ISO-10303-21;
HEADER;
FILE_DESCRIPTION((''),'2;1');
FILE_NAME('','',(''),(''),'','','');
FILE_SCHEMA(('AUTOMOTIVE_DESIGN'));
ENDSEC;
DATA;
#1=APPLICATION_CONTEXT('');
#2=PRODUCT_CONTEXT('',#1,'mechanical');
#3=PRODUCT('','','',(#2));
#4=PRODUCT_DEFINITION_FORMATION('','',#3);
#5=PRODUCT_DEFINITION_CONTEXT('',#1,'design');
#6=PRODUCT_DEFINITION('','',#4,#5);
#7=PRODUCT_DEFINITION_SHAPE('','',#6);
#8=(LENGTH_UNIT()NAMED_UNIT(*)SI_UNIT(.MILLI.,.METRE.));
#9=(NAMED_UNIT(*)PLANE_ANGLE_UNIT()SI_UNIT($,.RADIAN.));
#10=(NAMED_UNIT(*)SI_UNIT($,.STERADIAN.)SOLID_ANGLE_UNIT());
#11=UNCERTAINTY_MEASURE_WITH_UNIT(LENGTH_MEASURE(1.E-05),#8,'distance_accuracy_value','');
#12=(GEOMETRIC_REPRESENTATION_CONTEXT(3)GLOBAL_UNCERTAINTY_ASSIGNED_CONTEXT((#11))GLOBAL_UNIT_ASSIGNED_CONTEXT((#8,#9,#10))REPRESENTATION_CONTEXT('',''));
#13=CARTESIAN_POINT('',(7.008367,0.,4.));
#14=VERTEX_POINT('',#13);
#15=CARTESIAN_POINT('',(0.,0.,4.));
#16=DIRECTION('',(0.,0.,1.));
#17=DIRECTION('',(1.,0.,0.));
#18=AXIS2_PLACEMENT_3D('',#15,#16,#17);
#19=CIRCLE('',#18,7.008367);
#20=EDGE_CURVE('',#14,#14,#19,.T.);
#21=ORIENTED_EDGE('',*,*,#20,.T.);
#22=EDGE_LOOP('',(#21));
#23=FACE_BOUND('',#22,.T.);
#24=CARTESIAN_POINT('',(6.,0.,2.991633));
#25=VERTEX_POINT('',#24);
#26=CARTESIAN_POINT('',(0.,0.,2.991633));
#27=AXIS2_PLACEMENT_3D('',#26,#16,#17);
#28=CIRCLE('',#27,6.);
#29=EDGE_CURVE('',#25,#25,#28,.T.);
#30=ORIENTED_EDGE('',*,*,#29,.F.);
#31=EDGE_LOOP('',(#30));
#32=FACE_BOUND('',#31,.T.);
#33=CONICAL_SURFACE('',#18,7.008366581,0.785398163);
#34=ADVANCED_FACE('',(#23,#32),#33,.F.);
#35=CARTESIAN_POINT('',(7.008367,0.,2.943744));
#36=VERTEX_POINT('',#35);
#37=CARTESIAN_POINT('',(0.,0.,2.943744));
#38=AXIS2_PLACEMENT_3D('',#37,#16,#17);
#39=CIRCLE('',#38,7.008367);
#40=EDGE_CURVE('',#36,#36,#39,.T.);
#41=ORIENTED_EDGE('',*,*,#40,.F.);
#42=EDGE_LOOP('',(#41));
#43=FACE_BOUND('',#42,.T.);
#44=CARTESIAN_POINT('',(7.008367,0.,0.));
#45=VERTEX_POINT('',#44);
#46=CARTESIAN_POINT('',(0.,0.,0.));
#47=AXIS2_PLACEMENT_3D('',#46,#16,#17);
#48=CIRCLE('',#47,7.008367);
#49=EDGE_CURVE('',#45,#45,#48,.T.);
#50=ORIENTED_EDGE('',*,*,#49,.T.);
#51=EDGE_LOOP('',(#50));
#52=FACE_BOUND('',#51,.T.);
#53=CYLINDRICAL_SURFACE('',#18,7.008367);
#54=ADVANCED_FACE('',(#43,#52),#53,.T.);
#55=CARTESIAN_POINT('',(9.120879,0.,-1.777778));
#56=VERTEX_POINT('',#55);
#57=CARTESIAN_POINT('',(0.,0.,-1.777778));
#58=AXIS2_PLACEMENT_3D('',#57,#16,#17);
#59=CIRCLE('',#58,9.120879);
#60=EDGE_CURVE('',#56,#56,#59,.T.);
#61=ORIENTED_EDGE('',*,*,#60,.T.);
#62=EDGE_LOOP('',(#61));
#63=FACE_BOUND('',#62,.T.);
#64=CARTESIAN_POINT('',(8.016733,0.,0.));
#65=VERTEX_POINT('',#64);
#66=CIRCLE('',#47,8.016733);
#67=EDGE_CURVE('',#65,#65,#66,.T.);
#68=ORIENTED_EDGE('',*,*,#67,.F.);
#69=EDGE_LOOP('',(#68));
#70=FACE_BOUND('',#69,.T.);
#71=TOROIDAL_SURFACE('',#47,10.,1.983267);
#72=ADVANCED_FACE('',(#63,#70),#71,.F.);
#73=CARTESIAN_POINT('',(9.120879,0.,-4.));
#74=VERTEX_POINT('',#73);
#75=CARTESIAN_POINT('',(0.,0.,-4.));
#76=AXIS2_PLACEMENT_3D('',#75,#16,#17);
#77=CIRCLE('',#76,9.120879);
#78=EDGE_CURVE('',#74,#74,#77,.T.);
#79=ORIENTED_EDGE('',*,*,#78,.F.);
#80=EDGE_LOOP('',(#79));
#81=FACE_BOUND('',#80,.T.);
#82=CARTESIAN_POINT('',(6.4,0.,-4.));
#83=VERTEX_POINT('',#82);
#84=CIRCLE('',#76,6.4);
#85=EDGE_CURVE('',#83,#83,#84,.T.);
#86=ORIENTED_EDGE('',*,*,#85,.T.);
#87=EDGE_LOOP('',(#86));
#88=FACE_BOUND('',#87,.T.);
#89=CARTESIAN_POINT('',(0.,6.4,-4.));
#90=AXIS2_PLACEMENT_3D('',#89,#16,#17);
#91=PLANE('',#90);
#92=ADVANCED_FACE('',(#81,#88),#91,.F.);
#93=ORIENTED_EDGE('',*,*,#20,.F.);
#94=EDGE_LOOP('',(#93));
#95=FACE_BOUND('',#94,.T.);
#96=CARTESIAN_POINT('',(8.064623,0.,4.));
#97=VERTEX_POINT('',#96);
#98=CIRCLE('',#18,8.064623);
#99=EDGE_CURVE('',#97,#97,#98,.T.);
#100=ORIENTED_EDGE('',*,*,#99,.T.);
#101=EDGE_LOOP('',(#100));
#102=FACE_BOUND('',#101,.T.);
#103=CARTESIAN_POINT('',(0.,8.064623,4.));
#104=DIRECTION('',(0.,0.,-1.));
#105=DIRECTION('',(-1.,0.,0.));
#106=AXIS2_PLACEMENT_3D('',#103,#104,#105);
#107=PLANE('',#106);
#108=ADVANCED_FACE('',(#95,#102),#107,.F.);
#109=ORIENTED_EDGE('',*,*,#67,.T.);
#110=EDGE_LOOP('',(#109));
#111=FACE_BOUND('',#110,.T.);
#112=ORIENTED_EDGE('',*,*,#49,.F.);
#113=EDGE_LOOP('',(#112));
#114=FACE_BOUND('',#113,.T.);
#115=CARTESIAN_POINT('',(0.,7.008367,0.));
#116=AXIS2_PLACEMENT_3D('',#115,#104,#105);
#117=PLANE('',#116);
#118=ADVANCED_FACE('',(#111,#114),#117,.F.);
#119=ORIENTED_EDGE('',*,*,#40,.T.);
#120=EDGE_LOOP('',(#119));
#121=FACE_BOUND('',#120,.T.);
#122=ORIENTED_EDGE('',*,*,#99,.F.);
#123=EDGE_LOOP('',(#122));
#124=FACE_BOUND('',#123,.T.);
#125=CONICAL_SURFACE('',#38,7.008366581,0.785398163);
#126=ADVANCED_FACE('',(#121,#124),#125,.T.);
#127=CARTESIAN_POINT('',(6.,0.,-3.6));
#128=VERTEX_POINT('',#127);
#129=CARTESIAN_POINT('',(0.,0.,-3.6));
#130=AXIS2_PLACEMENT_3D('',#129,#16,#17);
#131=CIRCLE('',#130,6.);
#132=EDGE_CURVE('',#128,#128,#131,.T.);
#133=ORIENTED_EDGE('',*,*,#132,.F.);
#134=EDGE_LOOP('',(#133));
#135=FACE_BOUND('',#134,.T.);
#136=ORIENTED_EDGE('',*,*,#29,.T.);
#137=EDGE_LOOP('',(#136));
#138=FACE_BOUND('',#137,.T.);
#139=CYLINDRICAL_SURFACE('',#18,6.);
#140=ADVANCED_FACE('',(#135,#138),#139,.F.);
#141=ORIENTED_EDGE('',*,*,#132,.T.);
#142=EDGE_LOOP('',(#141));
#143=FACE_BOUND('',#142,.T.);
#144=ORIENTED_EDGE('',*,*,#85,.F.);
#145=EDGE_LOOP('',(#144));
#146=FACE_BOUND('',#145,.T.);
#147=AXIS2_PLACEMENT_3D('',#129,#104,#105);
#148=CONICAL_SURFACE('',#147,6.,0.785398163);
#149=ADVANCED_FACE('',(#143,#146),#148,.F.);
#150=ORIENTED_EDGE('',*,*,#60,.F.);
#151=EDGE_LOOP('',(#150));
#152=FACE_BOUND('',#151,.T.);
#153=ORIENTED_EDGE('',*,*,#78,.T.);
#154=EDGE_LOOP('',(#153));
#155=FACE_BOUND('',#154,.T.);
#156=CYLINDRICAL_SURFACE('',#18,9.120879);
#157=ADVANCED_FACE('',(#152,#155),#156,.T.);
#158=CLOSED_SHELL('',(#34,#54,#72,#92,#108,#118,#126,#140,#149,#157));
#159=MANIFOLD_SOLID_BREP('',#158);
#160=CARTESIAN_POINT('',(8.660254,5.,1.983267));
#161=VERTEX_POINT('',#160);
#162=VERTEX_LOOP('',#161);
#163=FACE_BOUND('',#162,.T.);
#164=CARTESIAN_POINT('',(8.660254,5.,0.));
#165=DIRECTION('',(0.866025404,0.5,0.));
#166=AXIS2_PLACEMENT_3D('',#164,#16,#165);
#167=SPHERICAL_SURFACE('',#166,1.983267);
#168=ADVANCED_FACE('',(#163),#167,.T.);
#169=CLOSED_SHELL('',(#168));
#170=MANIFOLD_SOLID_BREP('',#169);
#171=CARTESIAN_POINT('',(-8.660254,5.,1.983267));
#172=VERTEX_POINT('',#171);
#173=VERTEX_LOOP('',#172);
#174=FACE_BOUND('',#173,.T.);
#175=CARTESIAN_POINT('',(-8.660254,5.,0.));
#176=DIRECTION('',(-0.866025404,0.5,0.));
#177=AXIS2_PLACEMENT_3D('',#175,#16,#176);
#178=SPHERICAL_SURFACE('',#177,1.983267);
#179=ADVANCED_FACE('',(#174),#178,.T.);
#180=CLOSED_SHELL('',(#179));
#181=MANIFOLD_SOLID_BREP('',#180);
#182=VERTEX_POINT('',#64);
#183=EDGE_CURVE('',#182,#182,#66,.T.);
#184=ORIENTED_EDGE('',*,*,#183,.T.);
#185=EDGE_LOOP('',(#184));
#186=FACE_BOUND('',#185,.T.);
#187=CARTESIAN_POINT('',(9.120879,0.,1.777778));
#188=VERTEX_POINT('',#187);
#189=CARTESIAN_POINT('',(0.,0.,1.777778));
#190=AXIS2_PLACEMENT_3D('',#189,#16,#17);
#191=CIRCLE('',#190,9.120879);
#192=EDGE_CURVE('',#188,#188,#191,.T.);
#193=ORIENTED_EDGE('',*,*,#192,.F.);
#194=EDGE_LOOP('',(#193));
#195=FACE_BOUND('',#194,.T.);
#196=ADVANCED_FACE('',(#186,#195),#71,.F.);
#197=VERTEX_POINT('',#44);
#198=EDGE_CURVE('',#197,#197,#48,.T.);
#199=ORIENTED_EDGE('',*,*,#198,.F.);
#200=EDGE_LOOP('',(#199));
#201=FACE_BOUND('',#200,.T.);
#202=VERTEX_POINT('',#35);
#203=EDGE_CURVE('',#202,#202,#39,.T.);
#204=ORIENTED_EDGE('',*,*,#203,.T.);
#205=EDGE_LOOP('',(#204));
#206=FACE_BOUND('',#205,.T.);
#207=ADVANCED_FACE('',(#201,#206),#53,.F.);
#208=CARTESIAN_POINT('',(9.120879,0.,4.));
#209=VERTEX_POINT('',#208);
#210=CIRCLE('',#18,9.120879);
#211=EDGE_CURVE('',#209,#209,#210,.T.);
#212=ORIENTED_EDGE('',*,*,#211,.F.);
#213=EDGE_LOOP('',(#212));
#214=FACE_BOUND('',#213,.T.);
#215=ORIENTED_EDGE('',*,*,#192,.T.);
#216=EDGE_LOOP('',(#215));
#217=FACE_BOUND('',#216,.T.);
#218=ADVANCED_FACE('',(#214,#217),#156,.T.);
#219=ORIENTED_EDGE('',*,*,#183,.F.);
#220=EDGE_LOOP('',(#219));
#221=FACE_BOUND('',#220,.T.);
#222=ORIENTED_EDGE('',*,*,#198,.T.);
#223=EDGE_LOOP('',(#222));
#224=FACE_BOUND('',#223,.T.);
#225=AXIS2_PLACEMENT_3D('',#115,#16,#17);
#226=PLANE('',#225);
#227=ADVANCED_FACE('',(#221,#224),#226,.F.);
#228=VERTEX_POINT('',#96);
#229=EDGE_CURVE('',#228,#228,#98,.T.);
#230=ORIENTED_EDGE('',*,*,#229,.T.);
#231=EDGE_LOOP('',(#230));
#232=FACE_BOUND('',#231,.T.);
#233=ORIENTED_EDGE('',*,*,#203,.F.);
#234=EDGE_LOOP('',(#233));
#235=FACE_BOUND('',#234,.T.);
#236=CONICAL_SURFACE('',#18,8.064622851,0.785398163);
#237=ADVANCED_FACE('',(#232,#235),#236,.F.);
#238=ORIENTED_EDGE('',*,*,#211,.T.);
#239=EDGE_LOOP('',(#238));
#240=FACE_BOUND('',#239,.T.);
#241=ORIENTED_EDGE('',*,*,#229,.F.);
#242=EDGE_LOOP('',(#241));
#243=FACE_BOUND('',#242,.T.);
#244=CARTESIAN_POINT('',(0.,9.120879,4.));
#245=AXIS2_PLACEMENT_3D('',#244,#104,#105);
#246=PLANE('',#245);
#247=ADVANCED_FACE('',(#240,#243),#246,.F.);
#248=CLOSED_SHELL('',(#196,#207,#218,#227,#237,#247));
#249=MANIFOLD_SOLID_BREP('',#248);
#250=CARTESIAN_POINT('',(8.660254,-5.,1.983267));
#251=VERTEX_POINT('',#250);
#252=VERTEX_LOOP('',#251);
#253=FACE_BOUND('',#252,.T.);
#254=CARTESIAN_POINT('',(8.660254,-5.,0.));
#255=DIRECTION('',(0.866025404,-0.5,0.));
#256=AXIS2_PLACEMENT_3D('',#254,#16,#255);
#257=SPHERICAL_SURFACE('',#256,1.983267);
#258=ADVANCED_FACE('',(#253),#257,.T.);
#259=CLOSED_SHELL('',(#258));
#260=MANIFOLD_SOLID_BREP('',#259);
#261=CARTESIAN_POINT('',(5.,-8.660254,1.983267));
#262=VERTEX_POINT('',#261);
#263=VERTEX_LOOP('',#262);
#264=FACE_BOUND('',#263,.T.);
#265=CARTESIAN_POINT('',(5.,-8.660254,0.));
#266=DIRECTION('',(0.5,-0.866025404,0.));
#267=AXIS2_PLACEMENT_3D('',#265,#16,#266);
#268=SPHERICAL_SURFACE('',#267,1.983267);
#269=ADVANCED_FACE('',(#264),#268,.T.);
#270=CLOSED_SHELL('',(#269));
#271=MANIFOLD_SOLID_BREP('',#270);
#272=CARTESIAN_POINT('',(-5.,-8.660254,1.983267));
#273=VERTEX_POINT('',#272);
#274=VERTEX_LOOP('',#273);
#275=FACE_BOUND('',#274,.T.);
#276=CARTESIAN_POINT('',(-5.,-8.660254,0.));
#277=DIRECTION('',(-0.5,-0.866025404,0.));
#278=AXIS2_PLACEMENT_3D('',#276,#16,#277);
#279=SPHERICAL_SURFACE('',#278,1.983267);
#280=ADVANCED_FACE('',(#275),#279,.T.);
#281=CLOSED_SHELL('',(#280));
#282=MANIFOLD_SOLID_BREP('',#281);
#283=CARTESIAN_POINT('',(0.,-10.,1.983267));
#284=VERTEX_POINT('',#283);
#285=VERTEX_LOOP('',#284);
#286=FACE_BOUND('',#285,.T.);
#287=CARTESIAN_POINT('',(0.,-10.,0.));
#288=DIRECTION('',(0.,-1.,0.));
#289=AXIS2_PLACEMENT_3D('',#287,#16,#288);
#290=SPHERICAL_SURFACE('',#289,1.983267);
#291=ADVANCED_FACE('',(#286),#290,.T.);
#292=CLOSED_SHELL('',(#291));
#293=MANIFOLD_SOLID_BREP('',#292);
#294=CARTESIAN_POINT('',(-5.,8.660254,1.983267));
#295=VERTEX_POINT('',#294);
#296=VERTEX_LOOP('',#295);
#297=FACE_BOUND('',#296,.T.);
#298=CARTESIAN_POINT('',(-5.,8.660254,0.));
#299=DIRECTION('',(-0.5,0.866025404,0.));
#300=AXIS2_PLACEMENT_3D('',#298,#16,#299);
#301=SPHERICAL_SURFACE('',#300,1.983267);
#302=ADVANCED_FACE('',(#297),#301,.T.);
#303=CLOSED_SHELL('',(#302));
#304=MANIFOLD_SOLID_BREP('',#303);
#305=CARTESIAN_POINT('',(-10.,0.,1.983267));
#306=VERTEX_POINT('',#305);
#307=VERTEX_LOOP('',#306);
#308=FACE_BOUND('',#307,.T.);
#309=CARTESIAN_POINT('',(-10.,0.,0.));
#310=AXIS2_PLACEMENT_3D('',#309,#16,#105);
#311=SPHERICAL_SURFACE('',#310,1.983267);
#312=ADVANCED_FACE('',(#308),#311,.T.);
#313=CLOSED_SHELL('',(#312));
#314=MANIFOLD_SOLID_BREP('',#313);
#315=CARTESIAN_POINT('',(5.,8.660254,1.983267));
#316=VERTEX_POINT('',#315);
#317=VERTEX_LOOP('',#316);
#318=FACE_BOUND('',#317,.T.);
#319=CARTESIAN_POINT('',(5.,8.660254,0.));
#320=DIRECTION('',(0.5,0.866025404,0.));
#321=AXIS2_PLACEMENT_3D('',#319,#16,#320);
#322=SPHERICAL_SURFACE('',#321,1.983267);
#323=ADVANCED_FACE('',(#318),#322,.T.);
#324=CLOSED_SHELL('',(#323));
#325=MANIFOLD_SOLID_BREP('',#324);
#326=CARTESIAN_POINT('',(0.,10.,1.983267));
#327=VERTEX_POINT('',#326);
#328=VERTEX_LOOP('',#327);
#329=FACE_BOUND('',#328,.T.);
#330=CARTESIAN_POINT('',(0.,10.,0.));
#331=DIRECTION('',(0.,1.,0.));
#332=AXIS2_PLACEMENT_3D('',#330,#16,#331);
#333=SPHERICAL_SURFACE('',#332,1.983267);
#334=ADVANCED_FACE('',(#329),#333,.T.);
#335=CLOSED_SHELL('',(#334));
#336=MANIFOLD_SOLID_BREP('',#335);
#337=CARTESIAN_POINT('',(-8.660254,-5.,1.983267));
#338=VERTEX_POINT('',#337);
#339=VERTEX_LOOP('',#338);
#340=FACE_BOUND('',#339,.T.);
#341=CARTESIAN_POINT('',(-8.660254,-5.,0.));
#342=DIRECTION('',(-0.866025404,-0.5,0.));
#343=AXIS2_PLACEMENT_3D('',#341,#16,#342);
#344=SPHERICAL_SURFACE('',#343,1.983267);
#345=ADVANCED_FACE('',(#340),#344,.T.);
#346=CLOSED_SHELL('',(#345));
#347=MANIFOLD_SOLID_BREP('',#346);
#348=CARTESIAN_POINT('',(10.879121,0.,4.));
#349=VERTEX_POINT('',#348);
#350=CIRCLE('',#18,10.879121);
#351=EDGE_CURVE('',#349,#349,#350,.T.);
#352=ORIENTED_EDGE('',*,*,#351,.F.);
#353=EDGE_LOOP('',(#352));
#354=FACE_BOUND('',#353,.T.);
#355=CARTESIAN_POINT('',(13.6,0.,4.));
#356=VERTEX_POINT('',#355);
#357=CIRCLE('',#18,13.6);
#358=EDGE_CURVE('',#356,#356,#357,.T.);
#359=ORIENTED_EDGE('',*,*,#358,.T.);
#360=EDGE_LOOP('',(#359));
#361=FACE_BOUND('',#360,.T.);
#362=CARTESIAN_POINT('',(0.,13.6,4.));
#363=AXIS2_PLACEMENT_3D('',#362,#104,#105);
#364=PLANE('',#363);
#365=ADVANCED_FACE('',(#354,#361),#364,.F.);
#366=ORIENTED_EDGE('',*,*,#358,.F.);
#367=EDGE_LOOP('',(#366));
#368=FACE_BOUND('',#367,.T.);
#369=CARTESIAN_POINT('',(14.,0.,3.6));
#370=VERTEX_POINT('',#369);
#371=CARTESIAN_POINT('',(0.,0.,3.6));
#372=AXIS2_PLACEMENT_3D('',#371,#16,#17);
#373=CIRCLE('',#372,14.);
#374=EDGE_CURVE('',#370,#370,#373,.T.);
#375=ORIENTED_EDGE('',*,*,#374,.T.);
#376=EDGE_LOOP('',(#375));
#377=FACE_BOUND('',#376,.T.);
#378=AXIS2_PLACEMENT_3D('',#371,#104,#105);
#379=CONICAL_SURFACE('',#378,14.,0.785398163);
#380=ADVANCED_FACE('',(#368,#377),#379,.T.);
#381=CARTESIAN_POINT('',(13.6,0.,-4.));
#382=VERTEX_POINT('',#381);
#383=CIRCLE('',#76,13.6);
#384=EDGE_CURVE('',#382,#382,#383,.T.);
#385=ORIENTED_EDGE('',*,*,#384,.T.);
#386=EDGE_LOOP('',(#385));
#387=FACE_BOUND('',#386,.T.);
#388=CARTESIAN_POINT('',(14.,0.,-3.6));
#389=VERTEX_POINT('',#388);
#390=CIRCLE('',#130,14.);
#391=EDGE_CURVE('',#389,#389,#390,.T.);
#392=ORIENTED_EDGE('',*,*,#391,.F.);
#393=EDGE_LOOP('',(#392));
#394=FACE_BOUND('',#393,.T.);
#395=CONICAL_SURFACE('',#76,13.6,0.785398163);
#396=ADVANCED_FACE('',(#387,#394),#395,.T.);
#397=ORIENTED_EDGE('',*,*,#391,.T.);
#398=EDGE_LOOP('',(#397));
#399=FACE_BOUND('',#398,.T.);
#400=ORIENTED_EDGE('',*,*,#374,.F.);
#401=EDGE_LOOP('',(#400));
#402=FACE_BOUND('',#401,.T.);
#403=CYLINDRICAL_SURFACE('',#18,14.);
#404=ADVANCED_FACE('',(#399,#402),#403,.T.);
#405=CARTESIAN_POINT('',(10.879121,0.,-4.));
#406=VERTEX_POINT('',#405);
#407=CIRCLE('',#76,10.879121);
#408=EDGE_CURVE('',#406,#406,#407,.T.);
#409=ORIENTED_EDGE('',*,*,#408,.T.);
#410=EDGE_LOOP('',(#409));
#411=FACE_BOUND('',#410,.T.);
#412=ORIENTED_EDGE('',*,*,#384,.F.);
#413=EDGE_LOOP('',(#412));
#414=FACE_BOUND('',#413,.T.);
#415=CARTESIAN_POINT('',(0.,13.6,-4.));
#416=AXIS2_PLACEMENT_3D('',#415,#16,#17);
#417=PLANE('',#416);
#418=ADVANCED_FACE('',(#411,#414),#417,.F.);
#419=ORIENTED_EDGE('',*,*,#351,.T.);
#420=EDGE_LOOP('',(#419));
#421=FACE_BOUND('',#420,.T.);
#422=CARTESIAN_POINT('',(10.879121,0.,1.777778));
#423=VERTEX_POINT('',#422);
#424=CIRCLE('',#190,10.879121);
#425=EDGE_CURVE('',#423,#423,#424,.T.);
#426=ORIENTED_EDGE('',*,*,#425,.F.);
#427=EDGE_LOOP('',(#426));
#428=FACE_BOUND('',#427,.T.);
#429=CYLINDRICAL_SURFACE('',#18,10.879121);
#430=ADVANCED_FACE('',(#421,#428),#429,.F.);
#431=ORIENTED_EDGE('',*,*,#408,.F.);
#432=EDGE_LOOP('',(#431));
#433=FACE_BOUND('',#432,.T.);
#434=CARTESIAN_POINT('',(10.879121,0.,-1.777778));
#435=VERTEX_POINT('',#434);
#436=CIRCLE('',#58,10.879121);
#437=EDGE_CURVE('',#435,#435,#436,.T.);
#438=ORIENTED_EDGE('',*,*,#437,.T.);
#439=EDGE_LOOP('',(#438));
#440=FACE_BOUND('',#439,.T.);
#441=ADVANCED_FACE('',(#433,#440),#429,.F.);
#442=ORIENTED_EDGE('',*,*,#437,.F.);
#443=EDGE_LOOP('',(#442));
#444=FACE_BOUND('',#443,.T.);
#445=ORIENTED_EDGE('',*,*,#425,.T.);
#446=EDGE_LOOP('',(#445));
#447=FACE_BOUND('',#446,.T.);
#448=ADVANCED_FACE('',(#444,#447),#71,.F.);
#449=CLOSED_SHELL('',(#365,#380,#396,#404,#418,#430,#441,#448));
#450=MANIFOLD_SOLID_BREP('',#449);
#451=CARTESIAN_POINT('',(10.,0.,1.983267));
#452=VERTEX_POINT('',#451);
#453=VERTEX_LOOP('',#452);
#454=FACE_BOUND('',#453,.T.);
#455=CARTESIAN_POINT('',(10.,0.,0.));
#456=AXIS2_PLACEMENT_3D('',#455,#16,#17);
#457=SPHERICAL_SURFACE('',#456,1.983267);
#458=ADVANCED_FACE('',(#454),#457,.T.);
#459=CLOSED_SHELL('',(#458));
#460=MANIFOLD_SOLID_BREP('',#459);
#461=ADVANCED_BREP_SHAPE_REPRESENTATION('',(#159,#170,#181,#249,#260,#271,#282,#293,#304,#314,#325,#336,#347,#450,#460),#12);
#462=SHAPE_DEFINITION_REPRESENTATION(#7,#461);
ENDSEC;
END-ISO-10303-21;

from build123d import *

# Parameters (mm, degrees)
CIRPATTERN1_COUNT = 12


with BuildPart() as part:
    # Sketch1 → Revolve1 (revolve)
    with BuildSketch(Plane(origin=(0, 0, 0), x_dir=(0, 0, -1), z_dir=(1, 0, 0))):
        with BuildLine():
            Line((3.6, 14), (-3.6, 14))
            Line((-3.6, 14), (-4, 13.6))
            Line((-4, 13.6), (-4, 10.879120879))
            Line((-4, 10.879120879), (-1.777777778, 10.879120879))
            ThreePointArc((-1.777777778, 10.879120879), (0, 11.983266837), (1.777777778, 10.879120879))
            Line((1.777777778, 10.879120879), (4, 10.879120879))
            Line((4, 10.879120879), (4, 13.6))
            Line((4, 13.6), (3.6, 14))
        make_face()
    revolve(axis=Axis((0, 0, 4), (0, 0, -1)))


with BuildPart() as body_2:
    # Sketch2 → Revolve2 (revolve)
    with BuildSketch(Plane(origin=(0, 0, 0), x_dir=(0, 0, -1), z_dir=(1, 0, 0))):
        with BuildLine():
            Line((-4, 9.120879121), (-1.777777778, 9.120879121))
            ThreePointArc((-1.777777778, 9.120879121), (-1.046378531, 8.315233157), (0, 8.016733163))
            Line((0, 8.016733163), (0, 7.008366581))
            Line((0, 7.008366581), (-2.94374373, 7.008366581))
            Line((-2.94374373, 7.008366581), (-4, 8.064622851))
            Line((-4, 8.064622851), (-4, 9.120879121))
        make_face()
    revolve(axis=Axis((0, 0, 4), (0, 0, -1)))


with BuildPart() as body_3:
    # Sketch3 → Revolve3 (revolve)
    with BuildSketch(Plane(origin=(0, 0, 0), x_dir=(0, 0, -1), z_dir=(1, 0, 0))):
        with BuildLine():
            Line((-4, 8.064622851), (-2.94374373, 7.008366581))
            Line((-2.94374373, 7.008366581), (0, 7.008366581))
            Line((0, 7.008366581), (0, 8.016733163))
            ThreePointArc((0, 8.016733163), (1.046378531, 8.315233157), (1.777777778, 9.120879121))
            Line((1.777777778, 9.120879121), (4, 9.120879121))
            Line((4, 9.120879121), (4, 6.4))
            Line((4, 6.4), (3.6, 6))
            Line((3.6, 6), (-2.991633419, 6))
            Line((-2.991633419, 6), (-4, 7.008366581))
            Line((-4, 7.008366581), (-4, 8.064622851))
        make_face()
    revolve(axis=Axis((0, 0, 4), (0, 0, -1)))


with BuildPart() as body_4:
    # Sketch4 → Revolve4 (revolve)
    with BuildSketch(Plane(origin=(0, 0, 0), x_dir=(0, 0, -1), z_dir=(1, 0, 0))):
        with BuildLine():
            Line((-1.983266837, 10), (1.983266837, 10))
            ThreePointArc((1.983266837, 10), (0, 11.983266837), (-1.983266837, 10))
        make_face()
    revolve(axis=Axis((0, 10, 1.983266837), (0, 0, -1)))


with BuildPart() as cirpattern1_1:
    # CirPattern1: pattern copy
    add(body_4.part.rotate(Axis((0, 0, -4), (0, 0, 1)), 1 * 360 / CIRPATTERN1_COUNT))


with BuildPart() as cirpattern1_2:
    # CirPattern1: pattern copy
    add(body_4.part.rotate(Axis((0, 0, -4), (0, 0, 1)), 2 * 360 / CIRPATTERN1_COUNT))


with BuildPart() as cirpattern1_3:
    # CirPattern1: pattern copy
    add(body_4.part.rotate(Axis((0, 0, -4), (0, 0, 1)), 3 * 360 / CIRPATTERN1_COUNT))


with BuildPart() as cirpattern1_4:
    # CirPattern1: pattern copy
    add(body_4.part.rotate(Axis((0, 0, -4), (0, 0, 1)), 4 * 360 / CIRPATTERN1_COUNT))


with BuildPart() as cirpattern1_5:
    # CirPattern1: pattern copy
    add(body_4.part.rotate(Axis((0, 0, -4), (0, 0, 1)), 5 * 360 / CIRPATTERN1_COUNT))


with BuildPart() as cirpattern1_6:
    # CirPattern1: pattern copy
    add(body_4.part.rotate(Axis((0, 0, -4), (0, 0, 1)), 6 * 360 / CIRPATTERN1_COUNT))


with BuildPart() as cirpattern1_7:
    # CirPattern1: pattern copy
    add(body_4.part.rotate(Axis((0, 0, -4), (0, 0, 1)), 7 * 360 / CIRPATTERN1_COUNT))


with BuildPart() as cirpattern1_8:
    # CirPattern1: pattern copy
    add(body_4.part.rotate(Axis((0, 0, -4), (0, 0, 1)), 8 * 360 / CIRPATTERN1_COUNT))


with BuildPart() as cirpattern1_9:
    # CirPattern1: pattern copy
    add(body_4.part.rotate(Axis((0, 0, -4), (0, 0, 1)), 9 * 360 / CIRPATTERN1_COUNT))


with BuildPart() as cirpattern1_10:
    # CirPattern1: pattern copy
    add(body_4.part.rotate(Axis((0, 0, -4), (0, 0, 1)), 10 * 360 / CIRPATTERN1_COUNT))


with BuildPart() as cirpattern1_11:
    # CirPattern1: pattern copy
    add(body_4.part.rotate(Axis((0, 0, -4), (0, 0, 1)), 11 * 360 / CIRPATTERN1_COUNT))


solid = Compound([part.part, body_2.part, body_3.part, body_4.part, cirpattern1_1.part, cirpattern1_2.part, cirpattern1_3.part, cirpattern1_4.part, cirpattern1_5.part, cirpattern1_6.part, cirpattern1_7.part, cirpattern1_8.part, cirpattern1_9.part, cirpattern1_10.part, cirpattern1_11.part])
